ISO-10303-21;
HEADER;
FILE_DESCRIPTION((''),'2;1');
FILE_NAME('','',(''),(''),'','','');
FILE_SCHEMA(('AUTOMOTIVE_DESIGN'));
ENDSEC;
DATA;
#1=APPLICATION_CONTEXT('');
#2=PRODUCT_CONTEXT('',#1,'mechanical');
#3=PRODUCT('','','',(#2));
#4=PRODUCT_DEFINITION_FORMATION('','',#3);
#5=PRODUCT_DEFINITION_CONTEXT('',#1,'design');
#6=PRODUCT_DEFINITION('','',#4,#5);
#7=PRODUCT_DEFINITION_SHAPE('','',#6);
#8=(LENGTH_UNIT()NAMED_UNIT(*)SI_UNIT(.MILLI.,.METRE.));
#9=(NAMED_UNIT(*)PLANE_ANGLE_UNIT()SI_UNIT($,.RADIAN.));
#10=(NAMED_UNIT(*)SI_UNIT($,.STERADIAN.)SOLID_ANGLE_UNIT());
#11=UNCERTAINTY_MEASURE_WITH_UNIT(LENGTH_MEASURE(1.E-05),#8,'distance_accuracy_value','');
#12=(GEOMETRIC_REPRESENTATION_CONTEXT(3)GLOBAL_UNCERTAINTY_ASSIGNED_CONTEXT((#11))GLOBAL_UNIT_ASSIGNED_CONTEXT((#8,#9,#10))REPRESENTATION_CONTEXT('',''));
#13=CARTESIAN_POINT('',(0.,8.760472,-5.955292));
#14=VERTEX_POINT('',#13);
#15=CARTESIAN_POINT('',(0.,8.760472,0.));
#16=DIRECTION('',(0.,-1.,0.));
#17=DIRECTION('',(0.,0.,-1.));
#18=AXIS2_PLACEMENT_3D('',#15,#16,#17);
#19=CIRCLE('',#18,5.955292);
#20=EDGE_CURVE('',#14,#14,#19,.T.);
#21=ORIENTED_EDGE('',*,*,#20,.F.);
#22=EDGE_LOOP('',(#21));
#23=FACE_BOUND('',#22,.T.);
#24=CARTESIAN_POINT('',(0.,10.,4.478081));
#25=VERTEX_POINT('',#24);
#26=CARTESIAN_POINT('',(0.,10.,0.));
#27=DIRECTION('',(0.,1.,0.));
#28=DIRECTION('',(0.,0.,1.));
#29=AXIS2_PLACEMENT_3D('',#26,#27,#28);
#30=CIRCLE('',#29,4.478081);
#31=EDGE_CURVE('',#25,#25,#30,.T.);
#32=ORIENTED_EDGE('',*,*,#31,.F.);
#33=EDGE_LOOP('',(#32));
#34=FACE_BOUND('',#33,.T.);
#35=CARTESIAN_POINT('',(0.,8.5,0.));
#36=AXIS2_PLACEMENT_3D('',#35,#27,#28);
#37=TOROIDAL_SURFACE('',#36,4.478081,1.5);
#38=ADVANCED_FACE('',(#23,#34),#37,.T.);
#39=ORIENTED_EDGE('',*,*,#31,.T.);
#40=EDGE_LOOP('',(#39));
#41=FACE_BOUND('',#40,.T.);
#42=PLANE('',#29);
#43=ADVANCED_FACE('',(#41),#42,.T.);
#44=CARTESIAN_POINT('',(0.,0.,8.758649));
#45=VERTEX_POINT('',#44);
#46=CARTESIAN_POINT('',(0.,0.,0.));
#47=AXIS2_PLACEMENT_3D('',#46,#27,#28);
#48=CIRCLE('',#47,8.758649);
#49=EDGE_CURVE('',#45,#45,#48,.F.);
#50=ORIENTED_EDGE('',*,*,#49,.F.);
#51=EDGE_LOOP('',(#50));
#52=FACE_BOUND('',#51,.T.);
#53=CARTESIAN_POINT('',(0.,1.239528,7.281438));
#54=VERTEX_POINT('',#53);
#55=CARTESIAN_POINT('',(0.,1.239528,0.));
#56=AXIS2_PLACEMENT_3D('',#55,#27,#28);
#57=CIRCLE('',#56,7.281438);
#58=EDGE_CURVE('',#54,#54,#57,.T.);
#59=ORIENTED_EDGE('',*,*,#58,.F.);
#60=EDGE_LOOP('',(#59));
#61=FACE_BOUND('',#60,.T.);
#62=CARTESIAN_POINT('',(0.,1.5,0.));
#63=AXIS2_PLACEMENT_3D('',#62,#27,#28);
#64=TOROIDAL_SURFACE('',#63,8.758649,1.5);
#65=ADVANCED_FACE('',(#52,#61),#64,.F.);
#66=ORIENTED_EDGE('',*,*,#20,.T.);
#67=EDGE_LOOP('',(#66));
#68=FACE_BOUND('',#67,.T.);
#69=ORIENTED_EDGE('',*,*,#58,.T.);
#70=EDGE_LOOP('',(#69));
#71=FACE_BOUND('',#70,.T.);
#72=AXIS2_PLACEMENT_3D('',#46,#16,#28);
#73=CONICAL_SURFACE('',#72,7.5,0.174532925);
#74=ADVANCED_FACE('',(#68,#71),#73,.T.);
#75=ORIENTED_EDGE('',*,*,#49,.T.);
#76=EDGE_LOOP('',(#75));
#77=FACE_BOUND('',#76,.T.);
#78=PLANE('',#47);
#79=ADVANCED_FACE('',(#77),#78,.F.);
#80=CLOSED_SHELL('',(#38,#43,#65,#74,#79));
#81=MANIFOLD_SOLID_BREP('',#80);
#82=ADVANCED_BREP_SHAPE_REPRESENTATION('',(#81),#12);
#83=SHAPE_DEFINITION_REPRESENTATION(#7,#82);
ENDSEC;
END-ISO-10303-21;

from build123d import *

# Parameters (mm, degrees)
SKETCH1_W           = 30
SKETCH1_H           = 30
BOSS_EXTRUDE1_DEPTH = 1
SKETCH2_R           = 7.5
BOSS_EXTRUDE2_DEPTH = 10
BOSS_EXTRUDE2_TAPER = 10
FILLET2_R           = 1.5


with BuildPart() as part:
    # Sketch1 → Boss-Extrude1 (new body)
    with BuildSketch(Plane(origin=(0, 0, 0), x_dir=(1, 0, 0), z_dir=(0, 1, 0))):
        Rectangle(SKETCH1_W, SKETCH1_H)
    extrude(amount=-BOSS_EXTRUDE1_DEPTH)

    # Sketch2 → Boss-Extrude2 (add)
    with BuildSketch(Plane(origin=(0, 0, 0), x_dir=(1, 0, 0), z_dir=(0, 1, 0))):
        Circle(SKETCH2_R)
    extrude(amount=BOSS_EXTRUDE2_DEPTH, taper=BOSS_EXTRUDE2_TAPER)

    # Fillet2
    fillet2_edges = [part.edges().sort_by_distance(p)[0] for p in [
        (-7.5, 0, 0),
        (-5.736730193, 10, 0),
    ]]
    fillet(fillet2_edges, radius=FILLET2_R)

    # SurfaceCut2
    split(bisect_by=Plane(origin=(0, 0, 0), x_dir=(1, 0, 0), z_dir=(0, 1, 0)), keep=Keep.TOP)


solid = part.part
